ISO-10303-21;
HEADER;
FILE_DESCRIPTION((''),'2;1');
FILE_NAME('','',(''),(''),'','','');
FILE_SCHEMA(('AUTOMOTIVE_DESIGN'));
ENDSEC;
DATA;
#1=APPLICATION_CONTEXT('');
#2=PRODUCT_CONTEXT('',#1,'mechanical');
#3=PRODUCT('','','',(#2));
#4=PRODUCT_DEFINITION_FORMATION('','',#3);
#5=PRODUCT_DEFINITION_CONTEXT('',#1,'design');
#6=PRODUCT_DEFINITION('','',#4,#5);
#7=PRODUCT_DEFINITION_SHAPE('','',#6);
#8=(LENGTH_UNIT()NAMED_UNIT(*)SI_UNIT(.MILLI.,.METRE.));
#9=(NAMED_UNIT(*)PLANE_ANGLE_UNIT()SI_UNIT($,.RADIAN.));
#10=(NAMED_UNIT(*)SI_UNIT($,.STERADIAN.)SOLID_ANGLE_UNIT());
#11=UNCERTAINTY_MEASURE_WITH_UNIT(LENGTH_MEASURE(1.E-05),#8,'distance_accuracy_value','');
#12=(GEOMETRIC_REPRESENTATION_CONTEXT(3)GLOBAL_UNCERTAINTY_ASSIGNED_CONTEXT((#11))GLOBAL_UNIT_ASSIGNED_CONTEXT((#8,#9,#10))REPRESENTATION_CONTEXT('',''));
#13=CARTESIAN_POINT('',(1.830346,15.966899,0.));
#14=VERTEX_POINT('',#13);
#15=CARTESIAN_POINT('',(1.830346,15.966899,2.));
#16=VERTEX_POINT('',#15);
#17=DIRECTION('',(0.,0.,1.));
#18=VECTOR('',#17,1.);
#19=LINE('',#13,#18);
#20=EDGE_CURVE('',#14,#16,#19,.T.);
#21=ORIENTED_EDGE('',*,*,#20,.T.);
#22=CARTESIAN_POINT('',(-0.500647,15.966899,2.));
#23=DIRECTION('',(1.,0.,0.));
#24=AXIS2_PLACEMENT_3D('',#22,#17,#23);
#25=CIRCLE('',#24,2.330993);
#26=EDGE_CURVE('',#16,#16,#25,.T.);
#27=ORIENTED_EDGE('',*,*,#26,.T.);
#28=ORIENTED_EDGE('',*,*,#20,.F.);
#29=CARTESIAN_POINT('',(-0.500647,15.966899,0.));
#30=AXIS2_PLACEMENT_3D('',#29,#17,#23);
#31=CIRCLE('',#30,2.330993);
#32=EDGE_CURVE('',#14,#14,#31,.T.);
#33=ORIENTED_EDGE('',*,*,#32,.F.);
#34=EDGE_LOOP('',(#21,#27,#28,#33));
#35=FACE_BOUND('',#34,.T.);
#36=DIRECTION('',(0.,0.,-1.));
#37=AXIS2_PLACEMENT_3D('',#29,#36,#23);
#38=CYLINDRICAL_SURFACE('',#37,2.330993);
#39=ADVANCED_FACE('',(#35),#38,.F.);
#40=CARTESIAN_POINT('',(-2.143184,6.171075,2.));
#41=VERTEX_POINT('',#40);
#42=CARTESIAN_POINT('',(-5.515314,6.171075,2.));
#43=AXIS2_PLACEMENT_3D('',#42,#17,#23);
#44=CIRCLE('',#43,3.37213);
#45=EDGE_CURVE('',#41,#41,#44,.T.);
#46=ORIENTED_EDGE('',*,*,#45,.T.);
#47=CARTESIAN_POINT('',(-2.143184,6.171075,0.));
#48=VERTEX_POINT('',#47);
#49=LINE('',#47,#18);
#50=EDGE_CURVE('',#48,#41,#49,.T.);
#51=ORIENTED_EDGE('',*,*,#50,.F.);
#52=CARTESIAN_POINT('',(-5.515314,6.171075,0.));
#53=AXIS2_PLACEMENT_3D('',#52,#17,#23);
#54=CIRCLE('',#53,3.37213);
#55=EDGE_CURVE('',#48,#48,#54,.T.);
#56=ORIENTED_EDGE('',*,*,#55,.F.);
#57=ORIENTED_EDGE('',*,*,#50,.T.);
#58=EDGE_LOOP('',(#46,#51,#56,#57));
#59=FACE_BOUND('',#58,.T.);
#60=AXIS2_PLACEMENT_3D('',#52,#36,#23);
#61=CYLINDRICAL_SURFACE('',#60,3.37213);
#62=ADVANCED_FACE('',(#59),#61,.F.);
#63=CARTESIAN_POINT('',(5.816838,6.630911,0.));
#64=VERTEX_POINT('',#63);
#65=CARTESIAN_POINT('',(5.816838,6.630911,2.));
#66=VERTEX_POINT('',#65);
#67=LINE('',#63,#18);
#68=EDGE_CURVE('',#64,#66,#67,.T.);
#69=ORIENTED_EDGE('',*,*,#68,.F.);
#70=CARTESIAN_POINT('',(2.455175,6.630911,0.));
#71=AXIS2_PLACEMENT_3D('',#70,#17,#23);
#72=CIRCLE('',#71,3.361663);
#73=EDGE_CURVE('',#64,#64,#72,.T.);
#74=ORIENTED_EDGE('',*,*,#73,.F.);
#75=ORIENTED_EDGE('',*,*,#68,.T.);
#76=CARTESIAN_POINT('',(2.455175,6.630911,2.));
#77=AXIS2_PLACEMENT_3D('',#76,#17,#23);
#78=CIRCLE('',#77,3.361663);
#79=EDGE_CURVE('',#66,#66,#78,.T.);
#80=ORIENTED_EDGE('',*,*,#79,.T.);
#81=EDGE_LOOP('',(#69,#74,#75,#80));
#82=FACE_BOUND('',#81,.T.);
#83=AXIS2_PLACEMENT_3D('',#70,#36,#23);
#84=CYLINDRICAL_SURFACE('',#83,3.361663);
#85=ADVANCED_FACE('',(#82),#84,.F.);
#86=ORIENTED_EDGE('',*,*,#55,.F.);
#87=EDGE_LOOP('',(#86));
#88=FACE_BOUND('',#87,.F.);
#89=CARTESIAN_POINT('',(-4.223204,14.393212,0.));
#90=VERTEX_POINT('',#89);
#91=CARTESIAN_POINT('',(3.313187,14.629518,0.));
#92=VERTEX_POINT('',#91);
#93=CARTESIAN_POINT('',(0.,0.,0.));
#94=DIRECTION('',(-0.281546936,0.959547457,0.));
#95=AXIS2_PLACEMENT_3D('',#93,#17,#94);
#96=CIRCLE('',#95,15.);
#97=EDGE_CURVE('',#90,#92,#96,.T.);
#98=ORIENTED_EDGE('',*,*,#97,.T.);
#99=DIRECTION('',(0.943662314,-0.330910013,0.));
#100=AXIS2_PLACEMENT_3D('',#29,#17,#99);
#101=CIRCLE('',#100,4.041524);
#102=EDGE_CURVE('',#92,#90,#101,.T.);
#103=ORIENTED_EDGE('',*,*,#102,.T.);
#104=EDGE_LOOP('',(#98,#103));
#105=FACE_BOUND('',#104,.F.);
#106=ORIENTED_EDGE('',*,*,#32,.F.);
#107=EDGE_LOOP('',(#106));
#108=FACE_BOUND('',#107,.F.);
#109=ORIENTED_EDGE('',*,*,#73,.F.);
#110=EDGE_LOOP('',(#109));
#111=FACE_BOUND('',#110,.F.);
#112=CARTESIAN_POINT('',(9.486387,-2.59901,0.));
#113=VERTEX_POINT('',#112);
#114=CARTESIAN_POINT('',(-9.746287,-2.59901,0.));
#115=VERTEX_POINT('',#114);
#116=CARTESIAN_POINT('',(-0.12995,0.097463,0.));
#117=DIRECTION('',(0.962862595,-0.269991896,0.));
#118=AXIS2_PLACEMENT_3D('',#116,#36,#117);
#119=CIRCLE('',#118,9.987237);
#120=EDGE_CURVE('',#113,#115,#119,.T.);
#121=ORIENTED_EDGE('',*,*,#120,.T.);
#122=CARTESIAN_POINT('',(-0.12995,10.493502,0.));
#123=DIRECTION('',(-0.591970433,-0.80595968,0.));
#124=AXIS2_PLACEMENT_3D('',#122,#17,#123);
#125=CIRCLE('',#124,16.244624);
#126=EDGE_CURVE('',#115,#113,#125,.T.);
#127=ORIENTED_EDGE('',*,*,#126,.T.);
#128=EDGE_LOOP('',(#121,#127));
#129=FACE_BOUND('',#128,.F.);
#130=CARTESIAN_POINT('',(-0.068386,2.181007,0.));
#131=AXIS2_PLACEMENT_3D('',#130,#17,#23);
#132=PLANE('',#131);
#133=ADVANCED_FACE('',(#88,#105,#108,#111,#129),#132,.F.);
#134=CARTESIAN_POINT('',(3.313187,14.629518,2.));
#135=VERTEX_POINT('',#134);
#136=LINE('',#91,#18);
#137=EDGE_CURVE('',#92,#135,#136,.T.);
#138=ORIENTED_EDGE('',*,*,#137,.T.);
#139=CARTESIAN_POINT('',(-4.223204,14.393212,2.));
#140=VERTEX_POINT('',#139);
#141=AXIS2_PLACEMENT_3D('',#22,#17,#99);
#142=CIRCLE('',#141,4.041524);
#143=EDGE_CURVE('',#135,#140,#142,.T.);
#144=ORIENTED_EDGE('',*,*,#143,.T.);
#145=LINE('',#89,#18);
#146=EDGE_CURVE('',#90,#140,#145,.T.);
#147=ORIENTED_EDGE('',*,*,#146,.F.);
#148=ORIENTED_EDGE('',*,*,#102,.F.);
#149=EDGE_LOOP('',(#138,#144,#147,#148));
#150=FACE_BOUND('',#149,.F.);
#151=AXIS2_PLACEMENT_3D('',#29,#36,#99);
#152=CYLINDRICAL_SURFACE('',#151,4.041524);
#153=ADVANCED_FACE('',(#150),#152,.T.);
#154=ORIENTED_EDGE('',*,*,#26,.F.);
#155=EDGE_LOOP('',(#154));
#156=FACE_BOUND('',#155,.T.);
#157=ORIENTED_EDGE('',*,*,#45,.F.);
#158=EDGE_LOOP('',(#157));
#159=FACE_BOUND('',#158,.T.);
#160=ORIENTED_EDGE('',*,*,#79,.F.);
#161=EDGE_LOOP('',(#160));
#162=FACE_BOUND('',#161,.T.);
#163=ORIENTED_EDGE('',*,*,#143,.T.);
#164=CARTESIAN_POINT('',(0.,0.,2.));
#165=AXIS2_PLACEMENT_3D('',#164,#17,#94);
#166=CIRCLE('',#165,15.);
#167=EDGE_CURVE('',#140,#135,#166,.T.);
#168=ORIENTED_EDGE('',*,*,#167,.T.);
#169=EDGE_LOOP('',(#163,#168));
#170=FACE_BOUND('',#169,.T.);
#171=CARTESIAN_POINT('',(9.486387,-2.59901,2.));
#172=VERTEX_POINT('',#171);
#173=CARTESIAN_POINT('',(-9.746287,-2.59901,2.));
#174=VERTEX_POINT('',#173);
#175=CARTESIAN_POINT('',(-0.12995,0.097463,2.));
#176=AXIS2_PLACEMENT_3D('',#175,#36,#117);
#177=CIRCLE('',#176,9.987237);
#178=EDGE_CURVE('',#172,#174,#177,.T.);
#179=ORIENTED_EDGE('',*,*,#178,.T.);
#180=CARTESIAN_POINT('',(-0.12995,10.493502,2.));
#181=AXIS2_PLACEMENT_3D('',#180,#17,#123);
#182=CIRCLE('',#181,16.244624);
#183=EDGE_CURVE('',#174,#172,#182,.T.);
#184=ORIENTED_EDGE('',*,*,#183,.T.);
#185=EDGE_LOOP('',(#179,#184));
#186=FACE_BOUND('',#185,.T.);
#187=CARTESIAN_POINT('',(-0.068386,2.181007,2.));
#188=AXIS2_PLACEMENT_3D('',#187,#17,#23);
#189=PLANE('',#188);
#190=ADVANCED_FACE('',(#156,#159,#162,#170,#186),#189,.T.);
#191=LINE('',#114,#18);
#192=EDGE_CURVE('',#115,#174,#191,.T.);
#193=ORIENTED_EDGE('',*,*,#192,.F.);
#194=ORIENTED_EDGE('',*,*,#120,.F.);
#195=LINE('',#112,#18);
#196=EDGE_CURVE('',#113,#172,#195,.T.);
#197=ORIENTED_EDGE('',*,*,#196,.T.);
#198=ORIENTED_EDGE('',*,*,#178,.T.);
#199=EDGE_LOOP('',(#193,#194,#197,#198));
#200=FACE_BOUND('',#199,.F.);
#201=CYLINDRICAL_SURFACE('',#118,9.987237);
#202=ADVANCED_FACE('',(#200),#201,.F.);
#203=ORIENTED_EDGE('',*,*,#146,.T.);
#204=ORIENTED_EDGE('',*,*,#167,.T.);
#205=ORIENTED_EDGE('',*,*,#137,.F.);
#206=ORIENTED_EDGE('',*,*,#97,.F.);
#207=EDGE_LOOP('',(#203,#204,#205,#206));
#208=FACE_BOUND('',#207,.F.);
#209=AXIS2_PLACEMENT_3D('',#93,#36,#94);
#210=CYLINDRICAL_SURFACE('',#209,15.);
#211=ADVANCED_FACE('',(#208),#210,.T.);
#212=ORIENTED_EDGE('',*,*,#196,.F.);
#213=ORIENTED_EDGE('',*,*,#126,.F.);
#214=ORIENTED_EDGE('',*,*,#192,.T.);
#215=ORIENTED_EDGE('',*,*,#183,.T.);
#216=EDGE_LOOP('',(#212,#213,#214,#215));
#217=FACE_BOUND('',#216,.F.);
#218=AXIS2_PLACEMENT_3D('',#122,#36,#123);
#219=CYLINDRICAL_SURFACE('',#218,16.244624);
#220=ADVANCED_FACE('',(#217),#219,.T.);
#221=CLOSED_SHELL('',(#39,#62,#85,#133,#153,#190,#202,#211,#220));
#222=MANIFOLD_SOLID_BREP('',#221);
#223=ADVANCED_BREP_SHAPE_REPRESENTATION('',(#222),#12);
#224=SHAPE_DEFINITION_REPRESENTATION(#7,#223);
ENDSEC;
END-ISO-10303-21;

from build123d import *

# Parameters (mm, degrees)
F0_R     = 3.37213
F0_R_2   = 2.330993
F0_R_3   = 3.361663
F1_DEPTH = 2


with BuildPart() as f1:
    # F0 (on Top) → F1 (new body)
    with BuildSketch(Plane.XY):
        with BuildLine():
            ThreePointArc((3.313187, 14.629518), (-0.627308, 20.006438), (-4.223204, 14.393212))
            ThreePointArc((-4.223204, 14.393212), (0.470099, -14.992632), (3.313187, 14.629518))
        make_face()
        with BuildLine():
            ThreePointArc((9.486387, -2.59901), (-0.12995, -9.889774), (-9.746287, -2.59901))
            ThreePointArc((-9.746287, -2.59901), (-0.12995, -5.751122), (9.486387, -2.59901))
        make_face(mode=Mode.SUBTRACT)
        with Locations((-5.515314, 6.171075)):
            Circle(F0_R, mode=Mode.SUBTRACT)
        with Locations((-0.500647, 15.966899)):
            Circle(F0_R_2, mode=Mode.SUBTRACT)
        with Locations((2.455175, 6.630911)):
            Circle(F0_R_3, mode=Mode.SUBTRACT)
    extrude(amount=F1_DEPTH)


solid = f1.part
